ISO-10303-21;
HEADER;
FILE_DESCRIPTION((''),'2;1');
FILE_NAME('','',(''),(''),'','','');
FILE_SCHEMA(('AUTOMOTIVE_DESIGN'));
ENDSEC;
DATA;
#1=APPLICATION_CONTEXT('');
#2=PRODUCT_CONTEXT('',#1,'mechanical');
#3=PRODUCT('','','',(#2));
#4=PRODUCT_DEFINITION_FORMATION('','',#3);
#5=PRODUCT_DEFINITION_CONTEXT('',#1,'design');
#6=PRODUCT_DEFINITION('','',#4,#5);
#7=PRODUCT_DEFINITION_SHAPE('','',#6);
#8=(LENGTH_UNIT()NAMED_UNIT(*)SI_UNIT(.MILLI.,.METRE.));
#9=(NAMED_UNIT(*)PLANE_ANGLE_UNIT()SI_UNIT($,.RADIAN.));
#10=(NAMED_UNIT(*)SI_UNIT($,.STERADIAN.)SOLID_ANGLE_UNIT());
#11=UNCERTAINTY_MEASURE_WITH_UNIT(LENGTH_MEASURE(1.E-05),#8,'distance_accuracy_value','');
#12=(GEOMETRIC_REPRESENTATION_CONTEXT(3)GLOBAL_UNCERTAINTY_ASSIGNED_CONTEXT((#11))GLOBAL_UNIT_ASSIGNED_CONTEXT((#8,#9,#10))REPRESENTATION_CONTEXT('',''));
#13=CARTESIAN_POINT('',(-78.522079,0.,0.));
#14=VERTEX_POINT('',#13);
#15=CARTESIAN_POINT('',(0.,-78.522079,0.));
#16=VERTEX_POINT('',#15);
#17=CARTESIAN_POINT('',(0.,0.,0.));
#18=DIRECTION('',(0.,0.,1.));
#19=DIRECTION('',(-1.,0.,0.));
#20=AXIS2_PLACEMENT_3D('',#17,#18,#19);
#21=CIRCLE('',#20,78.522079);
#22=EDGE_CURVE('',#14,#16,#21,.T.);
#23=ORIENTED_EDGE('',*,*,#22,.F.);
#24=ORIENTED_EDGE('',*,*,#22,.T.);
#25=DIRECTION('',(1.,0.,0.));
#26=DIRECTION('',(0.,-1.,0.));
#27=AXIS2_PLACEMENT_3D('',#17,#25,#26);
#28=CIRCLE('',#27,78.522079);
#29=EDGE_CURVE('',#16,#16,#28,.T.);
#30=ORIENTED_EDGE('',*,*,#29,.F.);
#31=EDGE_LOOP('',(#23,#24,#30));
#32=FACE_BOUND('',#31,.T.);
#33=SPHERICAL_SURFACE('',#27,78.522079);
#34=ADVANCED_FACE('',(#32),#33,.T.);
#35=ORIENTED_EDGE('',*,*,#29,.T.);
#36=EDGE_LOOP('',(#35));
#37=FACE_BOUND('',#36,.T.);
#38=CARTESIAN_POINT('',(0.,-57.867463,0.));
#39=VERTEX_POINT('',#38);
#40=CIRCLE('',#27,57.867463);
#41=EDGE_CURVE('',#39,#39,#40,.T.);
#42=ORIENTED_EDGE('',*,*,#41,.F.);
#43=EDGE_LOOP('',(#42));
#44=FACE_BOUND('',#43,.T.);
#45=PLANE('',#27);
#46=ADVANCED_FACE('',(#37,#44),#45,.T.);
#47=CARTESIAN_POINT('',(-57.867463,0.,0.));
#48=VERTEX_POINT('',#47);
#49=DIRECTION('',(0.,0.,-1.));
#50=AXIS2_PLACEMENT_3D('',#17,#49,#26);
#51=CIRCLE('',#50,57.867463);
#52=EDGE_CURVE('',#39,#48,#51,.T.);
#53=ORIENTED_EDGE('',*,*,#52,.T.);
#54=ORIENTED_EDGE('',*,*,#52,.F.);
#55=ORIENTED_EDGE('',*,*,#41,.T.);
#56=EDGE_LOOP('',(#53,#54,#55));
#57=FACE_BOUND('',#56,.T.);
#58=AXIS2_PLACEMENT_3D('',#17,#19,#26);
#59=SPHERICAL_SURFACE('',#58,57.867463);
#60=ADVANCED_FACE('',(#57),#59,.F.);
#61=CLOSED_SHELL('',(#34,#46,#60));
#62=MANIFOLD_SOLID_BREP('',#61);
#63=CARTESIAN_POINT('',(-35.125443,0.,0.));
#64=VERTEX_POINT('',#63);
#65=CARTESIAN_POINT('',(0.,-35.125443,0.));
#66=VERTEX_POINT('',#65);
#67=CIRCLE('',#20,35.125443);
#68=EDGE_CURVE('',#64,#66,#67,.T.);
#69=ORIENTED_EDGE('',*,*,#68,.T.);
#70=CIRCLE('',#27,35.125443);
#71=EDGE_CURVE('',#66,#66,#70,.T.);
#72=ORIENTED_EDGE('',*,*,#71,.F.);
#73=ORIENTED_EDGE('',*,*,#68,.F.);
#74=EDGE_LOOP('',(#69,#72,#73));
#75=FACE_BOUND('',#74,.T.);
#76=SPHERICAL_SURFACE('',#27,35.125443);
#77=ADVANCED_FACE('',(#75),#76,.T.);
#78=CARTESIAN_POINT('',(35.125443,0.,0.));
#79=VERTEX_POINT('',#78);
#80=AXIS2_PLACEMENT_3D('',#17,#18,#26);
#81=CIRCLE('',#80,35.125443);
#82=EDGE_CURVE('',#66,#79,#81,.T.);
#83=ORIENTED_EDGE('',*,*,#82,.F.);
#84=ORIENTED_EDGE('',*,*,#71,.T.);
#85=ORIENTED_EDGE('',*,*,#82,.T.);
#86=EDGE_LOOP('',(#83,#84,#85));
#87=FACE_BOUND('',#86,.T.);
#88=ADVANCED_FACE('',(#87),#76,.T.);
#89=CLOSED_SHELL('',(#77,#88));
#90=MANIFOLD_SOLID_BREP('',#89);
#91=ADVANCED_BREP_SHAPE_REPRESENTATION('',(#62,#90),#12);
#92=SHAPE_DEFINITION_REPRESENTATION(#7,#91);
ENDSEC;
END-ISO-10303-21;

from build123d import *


with BuildPart() as f1:
    # F0 (on Top) → F1 (revolve)
    with BuildSketch(Plane.XY):
        with BuildLine():
            ThreePointArc((-35.1254427182, 0), (-24.8374387382, -24.8374387382), (0, -35.1254427182))
            Line((0, -35.1254427182), (0, 0))
            Line((0, 0), (-35.1254427182, 0))
        make_face()
        with BuildLine():
            ThreePointArc((0, -35.1254427182), (24.8374387382, -24.8374387382), (35.1254427182, 0))
            Line((35.1254427182, 0), (0, 0))
            Line((0, 0), (0, -35.1254427182))
        make_face()
    revolve(axis=Axis((0, 0, 0), (1, 0, 0)))


with BuildPart() as f2:
    # F0 (on Top) → F2 (revolve)
    with BuildSketch(Plane.XY):
        with BuildLine():
            Line((0, -78.5220786929), (0, -57.8674628009))
            ThreePointArc((0, -57.8674628009), (-40.9184753566, -40.9184753566), (-57.8674628009, 0))
            Line((-57.8674628009, 0), (-78.5220786929, 0))
            ThreePointArc((-78.5220786929, 0), (-55.5234943166, -55.5234943166), (0, -78.5220786929))
        make_face()
    revolve(axis=Axis((0, 0, 0), (1, 0, 0)))


solid = Compound([f1.part, f2.part])
